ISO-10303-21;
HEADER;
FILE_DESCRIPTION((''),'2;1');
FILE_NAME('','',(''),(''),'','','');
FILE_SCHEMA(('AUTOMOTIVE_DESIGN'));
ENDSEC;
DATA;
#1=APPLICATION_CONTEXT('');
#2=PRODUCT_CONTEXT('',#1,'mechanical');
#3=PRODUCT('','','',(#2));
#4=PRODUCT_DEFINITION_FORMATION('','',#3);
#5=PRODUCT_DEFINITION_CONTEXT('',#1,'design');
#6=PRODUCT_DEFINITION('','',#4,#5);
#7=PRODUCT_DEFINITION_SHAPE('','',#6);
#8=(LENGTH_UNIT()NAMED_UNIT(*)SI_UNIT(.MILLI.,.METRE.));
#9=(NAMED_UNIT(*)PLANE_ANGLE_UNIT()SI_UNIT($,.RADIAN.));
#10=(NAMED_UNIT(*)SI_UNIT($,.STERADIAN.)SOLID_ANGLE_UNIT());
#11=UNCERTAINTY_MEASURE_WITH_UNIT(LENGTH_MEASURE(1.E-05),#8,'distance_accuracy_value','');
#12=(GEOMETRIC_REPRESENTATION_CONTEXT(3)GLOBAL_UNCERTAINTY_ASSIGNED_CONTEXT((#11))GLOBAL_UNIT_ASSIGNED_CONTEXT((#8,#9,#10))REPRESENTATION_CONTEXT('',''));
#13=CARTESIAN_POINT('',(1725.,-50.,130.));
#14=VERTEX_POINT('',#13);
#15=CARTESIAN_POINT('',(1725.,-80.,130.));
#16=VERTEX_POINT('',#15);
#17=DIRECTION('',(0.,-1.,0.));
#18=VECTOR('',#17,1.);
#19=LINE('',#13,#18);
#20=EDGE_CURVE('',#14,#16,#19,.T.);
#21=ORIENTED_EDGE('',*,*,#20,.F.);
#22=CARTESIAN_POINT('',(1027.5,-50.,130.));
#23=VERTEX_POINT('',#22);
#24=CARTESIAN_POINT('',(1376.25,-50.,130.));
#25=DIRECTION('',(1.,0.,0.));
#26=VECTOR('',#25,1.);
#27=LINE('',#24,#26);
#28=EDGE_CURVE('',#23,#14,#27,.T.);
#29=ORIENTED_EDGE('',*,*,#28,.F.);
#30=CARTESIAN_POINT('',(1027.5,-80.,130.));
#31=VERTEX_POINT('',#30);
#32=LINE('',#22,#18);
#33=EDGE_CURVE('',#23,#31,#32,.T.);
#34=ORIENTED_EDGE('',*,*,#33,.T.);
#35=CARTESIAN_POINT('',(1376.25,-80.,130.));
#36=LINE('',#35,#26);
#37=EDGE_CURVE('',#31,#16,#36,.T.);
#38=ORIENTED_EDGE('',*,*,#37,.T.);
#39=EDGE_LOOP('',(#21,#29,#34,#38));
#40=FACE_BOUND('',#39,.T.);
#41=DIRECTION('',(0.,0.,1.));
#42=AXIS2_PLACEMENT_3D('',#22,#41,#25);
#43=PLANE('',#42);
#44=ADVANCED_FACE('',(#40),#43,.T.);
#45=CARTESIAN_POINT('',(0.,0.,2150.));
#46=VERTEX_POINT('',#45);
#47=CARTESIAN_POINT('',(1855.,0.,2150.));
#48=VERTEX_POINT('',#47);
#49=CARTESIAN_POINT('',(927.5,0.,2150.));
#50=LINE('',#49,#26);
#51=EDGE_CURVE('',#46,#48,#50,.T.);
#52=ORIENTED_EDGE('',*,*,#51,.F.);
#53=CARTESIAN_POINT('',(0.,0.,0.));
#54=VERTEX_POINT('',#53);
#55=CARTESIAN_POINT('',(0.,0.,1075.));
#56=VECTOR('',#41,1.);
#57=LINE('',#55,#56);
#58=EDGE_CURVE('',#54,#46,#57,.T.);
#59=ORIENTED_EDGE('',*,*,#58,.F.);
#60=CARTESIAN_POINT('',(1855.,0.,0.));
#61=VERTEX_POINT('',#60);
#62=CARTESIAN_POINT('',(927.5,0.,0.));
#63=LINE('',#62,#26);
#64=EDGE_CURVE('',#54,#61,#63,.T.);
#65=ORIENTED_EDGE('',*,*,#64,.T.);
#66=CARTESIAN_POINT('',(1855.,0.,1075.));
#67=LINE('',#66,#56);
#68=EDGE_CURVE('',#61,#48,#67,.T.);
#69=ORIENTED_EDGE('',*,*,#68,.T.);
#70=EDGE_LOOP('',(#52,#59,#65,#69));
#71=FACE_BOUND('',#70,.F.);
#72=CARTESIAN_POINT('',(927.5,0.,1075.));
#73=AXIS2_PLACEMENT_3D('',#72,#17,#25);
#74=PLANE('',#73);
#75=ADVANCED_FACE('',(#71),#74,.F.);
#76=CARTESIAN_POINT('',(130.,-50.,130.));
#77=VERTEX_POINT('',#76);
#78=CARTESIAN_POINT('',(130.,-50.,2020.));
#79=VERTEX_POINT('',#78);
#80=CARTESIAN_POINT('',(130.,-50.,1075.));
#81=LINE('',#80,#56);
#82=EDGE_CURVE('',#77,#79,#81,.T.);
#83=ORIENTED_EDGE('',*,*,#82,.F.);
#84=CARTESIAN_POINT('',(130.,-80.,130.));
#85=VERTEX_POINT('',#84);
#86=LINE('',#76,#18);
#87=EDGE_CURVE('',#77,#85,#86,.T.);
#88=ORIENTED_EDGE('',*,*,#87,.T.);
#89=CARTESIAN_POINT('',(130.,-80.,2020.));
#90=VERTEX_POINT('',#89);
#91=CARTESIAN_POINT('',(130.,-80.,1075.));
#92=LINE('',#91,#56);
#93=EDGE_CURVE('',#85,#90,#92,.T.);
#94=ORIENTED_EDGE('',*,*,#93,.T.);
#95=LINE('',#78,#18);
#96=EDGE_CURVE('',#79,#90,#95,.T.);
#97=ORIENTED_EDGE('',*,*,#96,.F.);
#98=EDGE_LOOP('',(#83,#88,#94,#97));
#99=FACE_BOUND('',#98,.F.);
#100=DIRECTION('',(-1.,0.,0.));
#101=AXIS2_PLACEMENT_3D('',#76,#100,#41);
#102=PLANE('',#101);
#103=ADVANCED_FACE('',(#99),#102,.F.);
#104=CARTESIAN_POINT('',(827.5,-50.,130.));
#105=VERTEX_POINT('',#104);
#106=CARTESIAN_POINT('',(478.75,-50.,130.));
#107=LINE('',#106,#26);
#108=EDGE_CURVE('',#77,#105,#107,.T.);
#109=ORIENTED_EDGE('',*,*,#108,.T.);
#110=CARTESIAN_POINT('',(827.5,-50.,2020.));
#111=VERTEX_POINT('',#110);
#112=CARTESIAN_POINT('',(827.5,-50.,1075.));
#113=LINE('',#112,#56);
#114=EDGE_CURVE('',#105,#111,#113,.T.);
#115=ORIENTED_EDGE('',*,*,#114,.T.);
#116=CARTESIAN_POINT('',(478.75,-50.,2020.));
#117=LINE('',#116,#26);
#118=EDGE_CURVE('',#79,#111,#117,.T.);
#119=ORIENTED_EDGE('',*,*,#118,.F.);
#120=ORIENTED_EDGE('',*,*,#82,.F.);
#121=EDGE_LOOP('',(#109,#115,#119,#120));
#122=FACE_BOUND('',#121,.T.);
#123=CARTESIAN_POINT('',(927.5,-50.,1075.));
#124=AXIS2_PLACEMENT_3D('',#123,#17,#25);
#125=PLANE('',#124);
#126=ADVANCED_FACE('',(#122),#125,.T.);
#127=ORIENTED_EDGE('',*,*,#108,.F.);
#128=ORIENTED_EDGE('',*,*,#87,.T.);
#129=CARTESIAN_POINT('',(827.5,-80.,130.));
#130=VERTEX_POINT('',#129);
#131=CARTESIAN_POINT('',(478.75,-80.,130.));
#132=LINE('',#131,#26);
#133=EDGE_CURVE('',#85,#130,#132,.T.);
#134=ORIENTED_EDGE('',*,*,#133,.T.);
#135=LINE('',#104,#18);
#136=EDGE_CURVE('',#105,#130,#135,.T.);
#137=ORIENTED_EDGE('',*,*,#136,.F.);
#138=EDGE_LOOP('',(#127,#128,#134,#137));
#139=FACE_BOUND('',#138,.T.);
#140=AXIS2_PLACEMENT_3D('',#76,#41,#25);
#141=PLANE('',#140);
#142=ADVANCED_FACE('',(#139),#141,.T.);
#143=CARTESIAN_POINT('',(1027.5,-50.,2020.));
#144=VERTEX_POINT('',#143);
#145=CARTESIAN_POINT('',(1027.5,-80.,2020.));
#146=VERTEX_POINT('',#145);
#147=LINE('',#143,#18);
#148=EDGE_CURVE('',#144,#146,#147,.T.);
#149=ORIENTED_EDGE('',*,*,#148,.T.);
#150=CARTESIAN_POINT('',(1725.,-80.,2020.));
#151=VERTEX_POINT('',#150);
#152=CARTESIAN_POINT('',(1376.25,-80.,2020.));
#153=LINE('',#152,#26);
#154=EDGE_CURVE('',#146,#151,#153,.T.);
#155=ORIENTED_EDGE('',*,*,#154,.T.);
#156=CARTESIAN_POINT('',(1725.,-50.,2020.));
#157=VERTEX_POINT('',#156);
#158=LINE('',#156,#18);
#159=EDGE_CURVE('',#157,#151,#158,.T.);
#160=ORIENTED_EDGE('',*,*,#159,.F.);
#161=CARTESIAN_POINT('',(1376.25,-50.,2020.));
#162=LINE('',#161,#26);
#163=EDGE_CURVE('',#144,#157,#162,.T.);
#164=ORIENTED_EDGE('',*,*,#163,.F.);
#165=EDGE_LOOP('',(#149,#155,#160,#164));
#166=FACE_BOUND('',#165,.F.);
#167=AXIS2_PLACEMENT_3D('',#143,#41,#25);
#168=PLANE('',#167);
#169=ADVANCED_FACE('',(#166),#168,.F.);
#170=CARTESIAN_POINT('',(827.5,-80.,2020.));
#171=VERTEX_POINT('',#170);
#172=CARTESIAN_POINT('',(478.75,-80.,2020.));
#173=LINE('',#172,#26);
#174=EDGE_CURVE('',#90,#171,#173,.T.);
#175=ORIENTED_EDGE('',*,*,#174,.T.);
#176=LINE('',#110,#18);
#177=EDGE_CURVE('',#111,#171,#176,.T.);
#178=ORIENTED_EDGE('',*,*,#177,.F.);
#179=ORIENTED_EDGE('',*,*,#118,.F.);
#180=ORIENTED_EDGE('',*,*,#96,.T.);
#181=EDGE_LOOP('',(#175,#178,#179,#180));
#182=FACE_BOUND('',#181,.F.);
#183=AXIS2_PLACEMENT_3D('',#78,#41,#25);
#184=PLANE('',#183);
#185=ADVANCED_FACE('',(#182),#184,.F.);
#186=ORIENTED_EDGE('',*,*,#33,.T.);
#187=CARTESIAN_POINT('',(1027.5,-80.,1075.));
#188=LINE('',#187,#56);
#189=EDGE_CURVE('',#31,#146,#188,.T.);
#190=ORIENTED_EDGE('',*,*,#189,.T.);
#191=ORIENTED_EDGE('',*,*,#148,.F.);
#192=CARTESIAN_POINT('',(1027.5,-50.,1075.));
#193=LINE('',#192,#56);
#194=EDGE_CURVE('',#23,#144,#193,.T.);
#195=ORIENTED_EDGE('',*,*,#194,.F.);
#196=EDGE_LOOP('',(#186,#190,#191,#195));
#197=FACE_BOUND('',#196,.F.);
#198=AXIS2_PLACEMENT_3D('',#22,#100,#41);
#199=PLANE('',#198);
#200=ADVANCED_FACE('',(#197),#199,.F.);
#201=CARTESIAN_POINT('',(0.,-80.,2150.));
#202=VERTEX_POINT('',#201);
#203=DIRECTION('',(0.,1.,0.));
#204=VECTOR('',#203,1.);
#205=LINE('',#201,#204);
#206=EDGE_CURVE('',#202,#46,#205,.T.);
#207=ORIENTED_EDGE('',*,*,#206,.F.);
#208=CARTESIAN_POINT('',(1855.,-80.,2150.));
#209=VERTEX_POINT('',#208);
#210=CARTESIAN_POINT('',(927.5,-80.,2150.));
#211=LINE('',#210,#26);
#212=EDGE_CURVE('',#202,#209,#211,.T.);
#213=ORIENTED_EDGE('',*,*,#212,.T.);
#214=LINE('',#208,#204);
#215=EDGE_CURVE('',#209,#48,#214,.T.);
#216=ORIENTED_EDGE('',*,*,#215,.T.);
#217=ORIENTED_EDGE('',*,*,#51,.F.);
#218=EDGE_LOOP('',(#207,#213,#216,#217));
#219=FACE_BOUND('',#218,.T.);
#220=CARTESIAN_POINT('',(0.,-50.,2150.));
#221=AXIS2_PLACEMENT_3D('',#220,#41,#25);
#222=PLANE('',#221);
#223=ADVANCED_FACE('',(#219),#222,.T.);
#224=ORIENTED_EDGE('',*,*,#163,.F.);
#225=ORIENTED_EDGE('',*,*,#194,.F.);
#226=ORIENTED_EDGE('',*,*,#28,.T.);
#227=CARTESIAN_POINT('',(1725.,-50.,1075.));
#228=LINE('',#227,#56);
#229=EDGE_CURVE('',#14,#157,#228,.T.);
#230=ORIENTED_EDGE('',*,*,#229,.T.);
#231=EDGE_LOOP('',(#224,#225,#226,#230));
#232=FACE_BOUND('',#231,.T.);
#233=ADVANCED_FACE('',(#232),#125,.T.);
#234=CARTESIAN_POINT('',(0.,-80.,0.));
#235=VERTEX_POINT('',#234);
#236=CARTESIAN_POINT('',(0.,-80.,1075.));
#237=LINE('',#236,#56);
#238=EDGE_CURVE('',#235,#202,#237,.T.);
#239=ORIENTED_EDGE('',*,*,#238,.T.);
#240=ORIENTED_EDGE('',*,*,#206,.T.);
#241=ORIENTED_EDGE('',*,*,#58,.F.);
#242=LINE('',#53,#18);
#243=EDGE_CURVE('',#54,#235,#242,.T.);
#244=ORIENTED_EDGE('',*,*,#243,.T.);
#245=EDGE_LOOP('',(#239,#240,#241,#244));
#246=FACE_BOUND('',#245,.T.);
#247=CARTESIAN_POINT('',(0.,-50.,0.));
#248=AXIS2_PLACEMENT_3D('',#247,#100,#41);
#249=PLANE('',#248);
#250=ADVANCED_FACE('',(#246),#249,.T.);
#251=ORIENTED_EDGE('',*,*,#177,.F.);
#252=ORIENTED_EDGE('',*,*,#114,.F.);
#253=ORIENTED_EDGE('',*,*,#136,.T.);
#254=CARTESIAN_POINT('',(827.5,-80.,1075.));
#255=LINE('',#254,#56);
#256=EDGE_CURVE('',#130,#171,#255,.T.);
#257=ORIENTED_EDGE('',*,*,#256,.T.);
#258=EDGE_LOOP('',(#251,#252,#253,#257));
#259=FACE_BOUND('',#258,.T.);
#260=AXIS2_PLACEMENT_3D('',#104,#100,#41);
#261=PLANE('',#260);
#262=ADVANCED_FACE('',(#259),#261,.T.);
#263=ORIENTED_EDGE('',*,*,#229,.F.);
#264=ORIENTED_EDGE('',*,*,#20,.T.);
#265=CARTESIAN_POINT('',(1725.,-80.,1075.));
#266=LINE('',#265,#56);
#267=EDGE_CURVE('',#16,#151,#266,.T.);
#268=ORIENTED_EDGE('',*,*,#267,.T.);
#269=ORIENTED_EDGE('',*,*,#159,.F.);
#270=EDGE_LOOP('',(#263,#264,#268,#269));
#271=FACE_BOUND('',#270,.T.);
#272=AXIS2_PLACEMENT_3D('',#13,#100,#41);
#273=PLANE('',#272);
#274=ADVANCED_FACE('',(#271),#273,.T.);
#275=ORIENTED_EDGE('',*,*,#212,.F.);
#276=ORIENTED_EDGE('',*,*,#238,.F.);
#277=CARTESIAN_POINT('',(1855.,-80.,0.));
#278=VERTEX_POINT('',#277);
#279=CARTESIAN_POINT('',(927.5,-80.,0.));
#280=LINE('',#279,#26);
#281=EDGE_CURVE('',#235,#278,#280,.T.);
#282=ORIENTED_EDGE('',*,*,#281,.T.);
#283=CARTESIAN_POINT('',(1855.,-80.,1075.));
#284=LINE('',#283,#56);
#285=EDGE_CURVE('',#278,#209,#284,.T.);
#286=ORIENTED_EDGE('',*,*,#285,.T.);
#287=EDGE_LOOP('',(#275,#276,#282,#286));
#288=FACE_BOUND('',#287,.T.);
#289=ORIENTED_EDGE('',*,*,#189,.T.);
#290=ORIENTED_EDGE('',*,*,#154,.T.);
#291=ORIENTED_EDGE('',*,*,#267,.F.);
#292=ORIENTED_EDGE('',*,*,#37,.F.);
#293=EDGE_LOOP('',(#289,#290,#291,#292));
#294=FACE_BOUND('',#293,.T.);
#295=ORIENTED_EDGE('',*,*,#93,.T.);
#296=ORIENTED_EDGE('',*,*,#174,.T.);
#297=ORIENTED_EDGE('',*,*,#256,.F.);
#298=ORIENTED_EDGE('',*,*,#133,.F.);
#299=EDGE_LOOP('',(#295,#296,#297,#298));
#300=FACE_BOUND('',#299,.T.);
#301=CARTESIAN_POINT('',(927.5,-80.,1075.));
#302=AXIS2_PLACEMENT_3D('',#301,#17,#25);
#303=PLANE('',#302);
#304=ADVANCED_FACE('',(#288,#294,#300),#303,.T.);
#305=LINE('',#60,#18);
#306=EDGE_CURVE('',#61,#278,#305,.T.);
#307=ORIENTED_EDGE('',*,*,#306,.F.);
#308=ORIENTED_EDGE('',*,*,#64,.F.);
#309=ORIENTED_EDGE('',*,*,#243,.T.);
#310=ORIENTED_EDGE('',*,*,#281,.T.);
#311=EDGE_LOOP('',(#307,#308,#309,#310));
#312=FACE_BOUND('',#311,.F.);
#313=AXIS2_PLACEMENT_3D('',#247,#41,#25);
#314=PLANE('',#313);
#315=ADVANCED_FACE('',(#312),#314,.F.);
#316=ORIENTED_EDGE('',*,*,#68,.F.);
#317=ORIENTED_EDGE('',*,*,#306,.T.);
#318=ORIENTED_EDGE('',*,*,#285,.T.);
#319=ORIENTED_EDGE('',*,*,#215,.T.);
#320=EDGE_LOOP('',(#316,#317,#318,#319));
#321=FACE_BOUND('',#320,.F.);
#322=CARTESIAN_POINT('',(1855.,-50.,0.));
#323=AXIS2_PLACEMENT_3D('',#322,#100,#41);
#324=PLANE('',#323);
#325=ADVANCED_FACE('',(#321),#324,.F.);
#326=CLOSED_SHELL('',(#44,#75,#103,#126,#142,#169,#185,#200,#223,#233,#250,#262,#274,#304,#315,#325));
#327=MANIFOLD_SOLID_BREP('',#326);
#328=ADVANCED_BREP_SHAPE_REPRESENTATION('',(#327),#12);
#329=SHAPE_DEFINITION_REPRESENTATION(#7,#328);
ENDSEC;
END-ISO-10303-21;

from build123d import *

# Parameters (mm, degrees)
F0_W     = 1855
F0_H     = 2150
F1_DEPTH = 50
F2_W     = 1855
F2_H     = 2150
F2_W_2   = 697.5
F2_H_2   = 1890
F3_DEPTH = 30


with BuildPart() as f1:
    # F0 (on Front) → F1 (new body)
    with BuildSketch(Plane.XZ):
        with Locations((927.5, 1075)):
            Rectangle(F0_W, F0_H)
    extrude(amount=F1_DEPTH)

    # F2 (on face) → F3 (join)
    with BuildSketch(Plane.XZ.offset(50)):
        with Locations((927.5, 1075)):
            Rectangle(F2_W, F2_H)
        with Locations((478.75, 1075)):
            Rectangle(F2_W_2, F2_H_2, mode=Mode.SUBTRACT)
        with Locations((1376.25, 1075)):
            Rectangle(F2_W_2, F2_H_2, mode=Mode.SUBTRACT)
    extrude(amount=F3_DEPTH)


solid = f1.part
